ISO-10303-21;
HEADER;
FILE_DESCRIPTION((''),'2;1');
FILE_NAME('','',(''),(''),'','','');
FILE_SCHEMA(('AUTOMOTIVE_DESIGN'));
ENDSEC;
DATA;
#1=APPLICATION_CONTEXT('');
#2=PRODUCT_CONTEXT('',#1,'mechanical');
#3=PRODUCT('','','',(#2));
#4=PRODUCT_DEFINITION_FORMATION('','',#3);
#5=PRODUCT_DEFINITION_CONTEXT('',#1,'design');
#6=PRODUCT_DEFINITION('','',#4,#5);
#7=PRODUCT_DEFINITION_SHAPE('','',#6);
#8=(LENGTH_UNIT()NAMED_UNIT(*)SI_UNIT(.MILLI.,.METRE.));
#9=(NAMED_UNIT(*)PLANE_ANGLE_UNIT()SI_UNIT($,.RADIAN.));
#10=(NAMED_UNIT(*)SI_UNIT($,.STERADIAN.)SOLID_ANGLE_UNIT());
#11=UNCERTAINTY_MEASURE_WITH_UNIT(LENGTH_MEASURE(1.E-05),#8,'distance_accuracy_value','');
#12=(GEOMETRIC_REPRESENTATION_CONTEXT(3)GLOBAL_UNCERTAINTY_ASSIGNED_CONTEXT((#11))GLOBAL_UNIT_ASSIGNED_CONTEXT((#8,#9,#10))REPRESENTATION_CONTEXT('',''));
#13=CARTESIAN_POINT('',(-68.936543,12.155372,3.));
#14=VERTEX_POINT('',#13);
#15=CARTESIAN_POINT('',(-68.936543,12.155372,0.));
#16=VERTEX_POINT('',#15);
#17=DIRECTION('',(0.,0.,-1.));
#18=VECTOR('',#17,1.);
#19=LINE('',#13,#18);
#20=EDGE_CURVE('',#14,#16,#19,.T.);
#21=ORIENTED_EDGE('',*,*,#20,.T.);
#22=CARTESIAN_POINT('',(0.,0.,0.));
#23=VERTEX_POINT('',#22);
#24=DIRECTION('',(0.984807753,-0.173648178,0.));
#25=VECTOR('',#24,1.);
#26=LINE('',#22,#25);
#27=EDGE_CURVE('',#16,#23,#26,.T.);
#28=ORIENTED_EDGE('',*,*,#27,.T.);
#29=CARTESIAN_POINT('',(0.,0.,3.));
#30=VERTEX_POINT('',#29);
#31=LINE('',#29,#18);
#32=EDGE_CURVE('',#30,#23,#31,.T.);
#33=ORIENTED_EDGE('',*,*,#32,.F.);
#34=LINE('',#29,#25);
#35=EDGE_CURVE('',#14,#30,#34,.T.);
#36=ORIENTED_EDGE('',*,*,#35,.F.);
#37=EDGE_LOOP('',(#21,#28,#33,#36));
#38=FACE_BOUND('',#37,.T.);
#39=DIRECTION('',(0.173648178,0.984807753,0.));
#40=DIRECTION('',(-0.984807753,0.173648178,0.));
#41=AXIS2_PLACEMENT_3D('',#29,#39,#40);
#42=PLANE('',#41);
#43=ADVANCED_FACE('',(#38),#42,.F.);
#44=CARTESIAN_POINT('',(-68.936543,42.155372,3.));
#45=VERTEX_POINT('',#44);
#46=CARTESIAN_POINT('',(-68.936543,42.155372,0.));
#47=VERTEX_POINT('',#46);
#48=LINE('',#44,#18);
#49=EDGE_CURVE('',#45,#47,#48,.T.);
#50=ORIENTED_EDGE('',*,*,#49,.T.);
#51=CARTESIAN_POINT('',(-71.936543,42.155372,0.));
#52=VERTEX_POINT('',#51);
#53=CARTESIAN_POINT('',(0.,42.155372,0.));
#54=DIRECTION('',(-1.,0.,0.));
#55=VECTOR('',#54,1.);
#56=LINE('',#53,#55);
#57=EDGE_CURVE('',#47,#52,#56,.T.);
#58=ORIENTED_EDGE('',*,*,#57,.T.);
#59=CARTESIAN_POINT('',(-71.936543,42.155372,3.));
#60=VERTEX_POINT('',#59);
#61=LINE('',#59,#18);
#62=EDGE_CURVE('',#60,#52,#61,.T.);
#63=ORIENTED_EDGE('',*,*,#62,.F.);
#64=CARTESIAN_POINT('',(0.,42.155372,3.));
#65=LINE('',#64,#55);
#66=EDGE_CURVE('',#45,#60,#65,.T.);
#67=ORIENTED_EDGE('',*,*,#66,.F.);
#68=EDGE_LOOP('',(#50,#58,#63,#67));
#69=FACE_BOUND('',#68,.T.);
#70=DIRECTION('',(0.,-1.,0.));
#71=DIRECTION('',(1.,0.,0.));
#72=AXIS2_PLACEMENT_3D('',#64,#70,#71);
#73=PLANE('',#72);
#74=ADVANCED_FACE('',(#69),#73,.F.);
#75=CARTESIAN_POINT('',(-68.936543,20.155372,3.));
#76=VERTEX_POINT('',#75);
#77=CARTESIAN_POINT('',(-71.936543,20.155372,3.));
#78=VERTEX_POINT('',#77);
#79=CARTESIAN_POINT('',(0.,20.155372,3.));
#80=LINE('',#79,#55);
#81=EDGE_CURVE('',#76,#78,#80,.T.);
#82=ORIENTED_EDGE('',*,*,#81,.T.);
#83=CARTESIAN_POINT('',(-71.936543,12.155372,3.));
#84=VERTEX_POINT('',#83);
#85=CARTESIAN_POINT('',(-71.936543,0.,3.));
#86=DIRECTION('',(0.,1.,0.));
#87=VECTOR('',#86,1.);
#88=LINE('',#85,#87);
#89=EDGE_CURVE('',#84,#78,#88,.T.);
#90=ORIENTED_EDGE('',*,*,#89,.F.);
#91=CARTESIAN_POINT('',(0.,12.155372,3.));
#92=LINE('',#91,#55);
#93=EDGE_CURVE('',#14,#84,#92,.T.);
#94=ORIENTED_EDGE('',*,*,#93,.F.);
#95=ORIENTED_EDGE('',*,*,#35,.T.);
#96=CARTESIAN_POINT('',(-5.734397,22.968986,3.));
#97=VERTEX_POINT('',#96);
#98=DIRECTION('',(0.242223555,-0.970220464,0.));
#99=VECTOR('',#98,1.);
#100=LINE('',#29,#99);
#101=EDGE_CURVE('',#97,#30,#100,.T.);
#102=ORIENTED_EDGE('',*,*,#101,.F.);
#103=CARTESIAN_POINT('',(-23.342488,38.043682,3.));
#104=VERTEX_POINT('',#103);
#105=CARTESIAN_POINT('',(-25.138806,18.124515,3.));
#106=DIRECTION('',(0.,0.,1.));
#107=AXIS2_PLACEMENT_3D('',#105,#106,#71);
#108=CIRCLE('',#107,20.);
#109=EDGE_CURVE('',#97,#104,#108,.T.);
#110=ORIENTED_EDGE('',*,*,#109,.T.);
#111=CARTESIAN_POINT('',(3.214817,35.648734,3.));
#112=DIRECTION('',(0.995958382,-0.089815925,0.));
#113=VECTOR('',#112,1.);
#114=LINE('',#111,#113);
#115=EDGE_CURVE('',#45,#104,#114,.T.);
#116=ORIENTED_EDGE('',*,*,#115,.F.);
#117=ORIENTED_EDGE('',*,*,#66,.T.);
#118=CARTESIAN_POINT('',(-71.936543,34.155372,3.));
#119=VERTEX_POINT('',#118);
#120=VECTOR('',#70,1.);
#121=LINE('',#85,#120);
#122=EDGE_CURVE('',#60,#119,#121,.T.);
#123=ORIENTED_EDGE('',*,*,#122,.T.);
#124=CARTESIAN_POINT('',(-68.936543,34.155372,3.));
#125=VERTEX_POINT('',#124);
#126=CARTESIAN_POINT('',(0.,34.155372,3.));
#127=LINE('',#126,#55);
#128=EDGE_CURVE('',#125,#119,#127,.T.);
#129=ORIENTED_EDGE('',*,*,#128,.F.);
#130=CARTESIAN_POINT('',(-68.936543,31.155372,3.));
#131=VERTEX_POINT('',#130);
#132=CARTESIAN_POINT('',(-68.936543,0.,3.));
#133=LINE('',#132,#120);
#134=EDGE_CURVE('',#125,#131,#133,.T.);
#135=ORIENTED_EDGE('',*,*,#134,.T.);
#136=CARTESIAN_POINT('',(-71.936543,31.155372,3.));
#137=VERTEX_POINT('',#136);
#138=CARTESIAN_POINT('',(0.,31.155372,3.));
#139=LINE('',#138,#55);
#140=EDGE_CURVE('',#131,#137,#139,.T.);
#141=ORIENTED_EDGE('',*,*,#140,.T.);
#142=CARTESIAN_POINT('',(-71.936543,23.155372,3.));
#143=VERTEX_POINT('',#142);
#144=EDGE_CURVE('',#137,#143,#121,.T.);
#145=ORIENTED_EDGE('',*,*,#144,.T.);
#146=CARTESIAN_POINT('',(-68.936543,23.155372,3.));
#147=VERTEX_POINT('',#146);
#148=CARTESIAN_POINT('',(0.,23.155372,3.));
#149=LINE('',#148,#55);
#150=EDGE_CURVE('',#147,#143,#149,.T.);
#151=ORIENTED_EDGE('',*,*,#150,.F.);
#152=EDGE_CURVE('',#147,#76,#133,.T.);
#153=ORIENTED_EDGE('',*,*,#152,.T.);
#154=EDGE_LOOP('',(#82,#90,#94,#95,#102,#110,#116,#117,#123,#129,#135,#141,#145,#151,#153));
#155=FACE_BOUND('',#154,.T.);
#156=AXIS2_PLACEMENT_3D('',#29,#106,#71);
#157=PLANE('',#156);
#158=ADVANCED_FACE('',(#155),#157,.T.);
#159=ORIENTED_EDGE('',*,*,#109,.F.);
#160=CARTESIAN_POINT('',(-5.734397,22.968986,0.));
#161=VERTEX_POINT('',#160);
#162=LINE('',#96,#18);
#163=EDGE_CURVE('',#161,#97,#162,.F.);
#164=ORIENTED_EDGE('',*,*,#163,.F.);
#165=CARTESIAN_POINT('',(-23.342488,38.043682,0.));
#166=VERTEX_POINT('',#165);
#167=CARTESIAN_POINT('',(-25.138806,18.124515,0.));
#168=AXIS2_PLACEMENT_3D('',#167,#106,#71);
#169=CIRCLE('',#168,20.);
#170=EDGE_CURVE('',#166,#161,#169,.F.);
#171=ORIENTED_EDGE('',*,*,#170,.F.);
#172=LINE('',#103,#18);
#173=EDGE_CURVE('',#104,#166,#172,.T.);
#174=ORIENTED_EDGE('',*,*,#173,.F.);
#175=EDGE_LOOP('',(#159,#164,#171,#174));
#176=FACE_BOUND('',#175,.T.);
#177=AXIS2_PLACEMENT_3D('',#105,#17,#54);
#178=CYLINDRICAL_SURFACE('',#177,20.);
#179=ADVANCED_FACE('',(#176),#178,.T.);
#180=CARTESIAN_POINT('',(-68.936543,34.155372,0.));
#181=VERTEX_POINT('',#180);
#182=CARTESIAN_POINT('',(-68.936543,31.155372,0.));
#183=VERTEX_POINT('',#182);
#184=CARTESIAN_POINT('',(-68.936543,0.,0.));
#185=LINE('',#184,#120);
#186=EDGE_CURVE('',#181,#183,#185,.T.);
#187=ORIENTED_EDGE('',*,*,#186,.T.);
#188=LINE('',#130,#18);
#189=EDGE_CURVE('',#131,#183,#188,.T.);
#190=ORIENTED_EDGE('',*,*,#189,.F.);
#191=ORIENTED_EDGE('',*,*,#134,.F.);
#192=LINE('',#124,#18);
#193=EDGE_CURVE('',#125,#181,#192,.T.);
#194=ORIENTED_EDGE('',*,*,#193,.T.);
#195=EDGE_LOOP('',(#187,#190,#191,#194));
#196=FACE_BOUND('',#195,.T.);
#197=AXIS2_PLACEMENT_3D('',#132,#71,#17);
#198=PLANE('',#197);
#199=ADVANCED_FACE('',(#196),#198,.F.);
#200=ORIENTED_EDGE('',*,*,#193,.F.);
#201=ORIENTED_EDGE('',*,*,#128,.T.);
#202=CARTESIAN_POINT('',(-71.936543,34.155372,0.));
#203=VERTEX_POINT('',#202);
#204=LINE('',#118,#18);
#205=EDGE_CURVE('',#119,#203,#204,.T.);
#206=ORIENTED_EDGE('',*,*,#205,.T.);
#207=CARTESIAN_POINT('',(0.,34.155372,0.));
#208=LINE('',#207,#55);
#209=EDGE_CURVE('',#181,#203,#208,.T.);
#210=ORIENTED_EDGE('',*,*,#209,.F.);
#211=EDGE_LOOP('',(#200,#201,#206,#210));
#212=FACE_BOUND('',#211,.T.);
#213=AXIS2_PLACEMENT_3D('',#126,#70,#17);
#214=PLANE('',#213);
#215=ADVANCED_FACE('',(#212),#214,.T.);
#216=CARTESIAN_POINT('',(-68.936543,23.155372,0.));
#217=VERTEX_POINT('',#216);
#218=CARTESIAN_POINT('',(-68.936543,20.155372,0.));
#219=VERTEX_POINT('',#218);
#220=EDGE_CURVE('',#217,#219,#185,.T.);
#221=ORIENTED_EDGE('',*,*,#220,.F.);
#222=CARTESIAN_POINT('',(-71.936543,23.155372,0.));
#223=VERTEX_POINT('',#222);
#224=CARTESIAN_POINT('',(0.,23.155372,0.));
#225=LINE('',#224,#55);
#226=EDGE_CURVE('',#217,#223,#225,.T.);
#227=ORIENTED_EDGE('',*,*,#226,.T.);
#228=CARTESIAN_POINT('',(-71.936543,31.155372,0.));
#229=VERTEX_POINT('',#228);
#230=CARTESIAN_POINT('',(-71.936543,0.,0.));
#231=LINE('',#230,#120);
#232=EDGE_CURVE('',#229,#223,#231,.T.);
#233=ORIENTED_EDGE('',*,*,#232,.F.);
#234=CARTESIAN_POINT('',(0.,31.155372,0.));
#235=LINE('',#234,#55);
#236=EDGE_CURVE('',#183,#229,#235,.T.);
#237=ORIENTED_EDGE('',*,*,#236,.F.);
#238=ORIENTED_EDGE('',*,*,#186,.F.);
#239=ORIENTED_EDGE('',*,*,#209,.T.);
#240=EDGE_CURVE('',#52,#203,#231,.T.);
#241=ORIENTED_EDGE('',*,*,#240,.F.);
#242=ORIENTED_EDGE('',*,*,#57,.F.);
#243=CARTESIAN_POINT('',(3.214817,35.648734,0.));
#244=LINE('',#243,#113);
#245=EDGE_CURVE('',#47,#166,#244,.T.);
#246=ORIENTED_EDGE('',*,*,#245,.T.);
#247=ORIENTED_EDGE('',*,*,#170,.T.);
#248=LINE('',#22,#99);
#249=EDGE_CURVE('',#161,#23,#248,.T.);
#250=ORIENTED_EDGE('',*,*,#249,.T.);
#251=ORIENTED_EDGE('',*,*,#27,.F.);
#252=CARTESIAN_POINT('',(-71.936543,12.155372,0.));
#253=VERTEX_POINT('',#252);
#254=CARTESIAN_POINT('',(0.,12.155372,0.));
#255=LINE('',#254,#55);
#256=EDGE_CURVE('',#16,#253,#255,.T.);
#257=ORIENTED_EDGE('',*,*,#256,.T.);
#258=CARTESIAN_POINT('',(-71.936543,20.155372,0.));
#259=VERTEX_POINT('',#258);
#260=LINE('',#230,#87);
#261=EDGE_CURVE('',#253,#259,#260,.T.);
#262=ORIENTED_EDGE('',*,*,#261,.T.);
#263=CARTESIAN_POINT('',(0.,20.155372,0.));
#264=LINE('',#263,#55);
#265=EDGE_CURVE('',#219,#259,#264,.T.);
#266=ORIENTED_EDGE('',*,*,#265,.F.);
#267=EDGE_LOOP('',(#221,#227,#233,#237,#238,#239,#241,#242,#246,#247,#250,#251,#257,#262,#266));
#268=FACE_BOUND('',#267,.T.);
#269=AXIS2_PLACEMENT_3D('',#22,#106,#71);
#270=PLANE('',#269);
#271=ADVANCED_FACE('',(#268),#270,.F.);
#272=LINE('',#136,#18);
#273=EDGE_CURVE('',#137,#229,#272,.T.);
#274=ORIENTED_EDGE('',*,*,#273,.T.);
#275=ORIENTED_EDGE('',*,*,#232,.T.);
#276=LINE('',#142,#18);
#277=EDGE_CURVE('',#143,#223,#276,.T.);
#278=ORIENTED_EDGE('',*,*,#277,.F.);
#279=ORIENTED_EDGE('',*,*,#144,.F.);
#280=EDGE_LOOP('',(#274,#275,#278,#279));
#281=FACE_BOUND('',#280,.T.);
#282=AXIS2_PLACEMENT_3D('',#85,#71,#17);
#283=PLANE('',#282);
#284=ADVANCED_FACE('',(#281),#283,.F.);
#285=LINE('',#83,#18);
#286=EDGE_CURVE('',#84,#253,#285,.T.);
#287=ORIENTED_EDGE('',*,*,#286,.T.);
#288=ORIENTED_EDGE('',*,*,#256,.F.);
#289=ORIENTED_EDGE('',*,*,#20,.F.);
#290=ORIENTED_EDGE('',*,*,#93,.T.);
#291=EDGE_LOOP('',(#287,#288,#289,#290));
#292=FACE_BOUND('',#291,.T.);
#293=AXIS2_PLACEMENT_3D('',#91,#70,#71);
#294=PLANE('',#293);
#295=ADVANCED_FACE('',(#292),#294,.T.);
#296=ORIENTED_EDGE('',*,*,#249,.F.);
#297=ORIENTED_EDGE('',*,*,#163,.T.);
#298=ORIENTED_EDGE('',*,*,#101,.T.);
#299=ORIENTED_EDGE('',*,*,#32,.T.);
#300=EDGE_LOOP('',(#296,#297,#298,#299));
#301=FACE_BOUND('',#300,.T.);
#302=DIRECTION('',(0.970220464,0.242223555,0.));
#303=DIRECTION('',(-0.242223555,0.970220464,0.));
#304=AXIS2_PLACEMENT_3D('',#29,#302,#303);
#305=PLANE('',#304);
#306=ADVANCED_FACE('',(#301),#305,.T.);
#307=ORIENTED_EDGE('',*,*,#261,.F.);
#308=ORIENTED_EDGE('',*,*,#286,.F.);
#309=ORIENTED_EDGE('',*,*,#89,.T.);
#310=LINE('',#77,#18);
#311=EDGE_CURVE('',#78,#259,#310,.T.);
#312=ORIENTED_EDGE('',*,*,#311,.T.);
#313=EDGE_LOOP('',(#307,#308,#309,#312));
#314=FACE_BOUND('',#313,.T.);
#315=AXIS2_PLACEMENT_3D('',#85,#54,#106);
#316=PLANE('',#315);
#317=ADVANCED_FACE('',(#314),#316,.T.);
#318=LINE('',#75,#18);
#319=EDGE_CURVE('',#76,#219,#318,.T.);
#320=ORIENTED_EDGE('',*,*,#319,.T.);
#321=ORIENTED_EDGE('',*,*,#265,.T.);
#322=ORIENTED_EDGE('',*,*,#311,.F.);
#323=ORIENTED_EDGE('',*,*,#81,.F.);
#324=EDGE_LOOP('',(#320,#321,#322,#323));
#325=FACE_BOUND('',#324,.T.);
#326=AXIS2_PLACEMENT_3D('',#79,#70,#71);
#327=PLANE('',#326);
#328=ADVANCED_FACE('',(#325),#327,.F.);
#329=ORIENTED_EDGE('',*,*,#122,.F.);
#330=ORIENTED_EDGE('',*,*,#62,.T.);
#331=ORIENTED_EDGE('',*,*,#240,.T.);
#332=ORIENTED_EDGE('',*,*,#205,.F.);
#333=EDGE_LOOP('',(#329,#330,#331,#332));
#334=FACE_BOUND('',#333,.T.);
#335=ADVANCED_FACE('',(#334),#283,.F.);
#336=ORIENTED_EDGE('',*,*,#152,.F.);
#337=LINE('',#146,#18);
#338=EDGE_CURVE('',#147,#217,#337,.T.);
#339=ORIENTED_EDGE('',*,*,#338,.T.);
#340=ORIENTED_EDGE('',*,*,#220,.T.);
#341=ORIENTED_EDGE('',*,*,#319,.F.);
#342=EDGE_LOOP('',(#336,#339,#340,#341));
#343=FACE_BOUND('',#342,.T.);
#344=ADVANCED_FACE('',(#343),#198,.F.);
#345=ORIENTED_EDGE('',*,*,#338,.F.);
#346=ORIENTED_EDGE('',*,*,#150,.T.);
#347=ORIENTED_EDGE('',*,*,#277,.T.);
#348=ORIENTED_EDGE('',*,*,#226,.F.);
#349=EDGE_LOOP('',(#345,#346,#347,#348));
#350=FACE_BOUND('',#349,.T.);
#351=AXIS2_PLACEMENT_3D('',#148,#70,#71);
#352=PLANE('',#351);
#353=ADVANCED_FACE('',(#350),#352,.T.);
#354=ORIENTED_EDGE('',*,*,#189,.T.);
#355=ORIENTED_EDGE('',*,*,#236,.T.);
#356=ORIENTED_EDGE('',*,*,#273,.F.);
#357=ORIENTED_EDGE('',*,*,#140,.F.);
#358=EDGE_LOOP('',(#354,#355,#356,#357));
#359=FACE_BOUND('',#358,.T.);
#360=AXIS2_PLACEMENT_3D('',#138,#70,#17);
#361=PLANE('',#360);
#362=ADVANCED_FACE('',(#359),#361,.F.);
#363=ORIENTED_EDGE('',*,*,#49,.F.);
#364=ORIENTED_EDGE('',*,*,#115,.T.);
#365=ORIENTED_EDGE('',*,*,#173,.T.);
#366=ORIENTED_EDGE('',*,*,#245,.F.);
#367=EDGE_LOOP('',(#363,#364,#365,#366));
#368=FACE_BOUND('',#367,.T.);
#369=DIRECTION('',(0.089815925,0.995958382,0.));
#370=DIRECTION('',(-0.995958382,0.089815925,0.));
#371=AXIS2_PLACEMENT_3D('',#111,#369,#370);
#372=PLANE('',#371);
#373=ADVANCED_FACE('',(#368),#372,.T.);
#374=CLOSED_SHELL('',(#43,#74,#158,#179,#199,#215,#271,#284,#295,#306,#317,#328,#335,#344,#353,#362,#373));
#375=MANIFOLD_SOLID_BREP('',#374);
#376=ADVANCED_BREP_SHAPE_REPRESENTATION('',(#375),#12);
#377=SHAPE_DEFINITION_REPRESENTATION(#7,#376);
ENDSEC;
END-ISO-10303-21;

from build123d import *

# Parameters (mm, degrees)
ESQUISSE1_W        = 3
ESQUISSE1_H        = 8
BOSS_EXTRU_1_DEPTH = 3
CONG_1_R           = 20


with BuildPart() as part:
    # Esquisse1 → Boss.-Extru.1 (new body)
    with BuildSketch(Plane.XY):
        Polygon((-68.936542711, 42.155372437), (-9.179039763, 36.766416935), (0, 0), (-68.936542711, 12.155372437), align=None)
        with Locations((-70.436542711, 38.155372437)):
            Rectangle(ESQUISSE1_W, ESQUISSE1_H)
        with Locations((-70.436542711, 27.155372437)):
            Rectangle(ESQUISSE1_W, ESQUISSE1_H)
        with Locations((-70.436542711, 16.155372437)):
            Rectangle(ESQUISSE1_W, ESQUISSE1_H)
    extrude(amount=BOSS_EXTRU_1_DEPTH)

    # Congé1
    cong_1_edges = [part.edges().sort_by_distance(p)[0] for p in [
        (-9.179039763, 36.766416935, 1.5),
    ]]
    fillet(cong_1_edges, radius=CONG_1_R)


solid = part.part
